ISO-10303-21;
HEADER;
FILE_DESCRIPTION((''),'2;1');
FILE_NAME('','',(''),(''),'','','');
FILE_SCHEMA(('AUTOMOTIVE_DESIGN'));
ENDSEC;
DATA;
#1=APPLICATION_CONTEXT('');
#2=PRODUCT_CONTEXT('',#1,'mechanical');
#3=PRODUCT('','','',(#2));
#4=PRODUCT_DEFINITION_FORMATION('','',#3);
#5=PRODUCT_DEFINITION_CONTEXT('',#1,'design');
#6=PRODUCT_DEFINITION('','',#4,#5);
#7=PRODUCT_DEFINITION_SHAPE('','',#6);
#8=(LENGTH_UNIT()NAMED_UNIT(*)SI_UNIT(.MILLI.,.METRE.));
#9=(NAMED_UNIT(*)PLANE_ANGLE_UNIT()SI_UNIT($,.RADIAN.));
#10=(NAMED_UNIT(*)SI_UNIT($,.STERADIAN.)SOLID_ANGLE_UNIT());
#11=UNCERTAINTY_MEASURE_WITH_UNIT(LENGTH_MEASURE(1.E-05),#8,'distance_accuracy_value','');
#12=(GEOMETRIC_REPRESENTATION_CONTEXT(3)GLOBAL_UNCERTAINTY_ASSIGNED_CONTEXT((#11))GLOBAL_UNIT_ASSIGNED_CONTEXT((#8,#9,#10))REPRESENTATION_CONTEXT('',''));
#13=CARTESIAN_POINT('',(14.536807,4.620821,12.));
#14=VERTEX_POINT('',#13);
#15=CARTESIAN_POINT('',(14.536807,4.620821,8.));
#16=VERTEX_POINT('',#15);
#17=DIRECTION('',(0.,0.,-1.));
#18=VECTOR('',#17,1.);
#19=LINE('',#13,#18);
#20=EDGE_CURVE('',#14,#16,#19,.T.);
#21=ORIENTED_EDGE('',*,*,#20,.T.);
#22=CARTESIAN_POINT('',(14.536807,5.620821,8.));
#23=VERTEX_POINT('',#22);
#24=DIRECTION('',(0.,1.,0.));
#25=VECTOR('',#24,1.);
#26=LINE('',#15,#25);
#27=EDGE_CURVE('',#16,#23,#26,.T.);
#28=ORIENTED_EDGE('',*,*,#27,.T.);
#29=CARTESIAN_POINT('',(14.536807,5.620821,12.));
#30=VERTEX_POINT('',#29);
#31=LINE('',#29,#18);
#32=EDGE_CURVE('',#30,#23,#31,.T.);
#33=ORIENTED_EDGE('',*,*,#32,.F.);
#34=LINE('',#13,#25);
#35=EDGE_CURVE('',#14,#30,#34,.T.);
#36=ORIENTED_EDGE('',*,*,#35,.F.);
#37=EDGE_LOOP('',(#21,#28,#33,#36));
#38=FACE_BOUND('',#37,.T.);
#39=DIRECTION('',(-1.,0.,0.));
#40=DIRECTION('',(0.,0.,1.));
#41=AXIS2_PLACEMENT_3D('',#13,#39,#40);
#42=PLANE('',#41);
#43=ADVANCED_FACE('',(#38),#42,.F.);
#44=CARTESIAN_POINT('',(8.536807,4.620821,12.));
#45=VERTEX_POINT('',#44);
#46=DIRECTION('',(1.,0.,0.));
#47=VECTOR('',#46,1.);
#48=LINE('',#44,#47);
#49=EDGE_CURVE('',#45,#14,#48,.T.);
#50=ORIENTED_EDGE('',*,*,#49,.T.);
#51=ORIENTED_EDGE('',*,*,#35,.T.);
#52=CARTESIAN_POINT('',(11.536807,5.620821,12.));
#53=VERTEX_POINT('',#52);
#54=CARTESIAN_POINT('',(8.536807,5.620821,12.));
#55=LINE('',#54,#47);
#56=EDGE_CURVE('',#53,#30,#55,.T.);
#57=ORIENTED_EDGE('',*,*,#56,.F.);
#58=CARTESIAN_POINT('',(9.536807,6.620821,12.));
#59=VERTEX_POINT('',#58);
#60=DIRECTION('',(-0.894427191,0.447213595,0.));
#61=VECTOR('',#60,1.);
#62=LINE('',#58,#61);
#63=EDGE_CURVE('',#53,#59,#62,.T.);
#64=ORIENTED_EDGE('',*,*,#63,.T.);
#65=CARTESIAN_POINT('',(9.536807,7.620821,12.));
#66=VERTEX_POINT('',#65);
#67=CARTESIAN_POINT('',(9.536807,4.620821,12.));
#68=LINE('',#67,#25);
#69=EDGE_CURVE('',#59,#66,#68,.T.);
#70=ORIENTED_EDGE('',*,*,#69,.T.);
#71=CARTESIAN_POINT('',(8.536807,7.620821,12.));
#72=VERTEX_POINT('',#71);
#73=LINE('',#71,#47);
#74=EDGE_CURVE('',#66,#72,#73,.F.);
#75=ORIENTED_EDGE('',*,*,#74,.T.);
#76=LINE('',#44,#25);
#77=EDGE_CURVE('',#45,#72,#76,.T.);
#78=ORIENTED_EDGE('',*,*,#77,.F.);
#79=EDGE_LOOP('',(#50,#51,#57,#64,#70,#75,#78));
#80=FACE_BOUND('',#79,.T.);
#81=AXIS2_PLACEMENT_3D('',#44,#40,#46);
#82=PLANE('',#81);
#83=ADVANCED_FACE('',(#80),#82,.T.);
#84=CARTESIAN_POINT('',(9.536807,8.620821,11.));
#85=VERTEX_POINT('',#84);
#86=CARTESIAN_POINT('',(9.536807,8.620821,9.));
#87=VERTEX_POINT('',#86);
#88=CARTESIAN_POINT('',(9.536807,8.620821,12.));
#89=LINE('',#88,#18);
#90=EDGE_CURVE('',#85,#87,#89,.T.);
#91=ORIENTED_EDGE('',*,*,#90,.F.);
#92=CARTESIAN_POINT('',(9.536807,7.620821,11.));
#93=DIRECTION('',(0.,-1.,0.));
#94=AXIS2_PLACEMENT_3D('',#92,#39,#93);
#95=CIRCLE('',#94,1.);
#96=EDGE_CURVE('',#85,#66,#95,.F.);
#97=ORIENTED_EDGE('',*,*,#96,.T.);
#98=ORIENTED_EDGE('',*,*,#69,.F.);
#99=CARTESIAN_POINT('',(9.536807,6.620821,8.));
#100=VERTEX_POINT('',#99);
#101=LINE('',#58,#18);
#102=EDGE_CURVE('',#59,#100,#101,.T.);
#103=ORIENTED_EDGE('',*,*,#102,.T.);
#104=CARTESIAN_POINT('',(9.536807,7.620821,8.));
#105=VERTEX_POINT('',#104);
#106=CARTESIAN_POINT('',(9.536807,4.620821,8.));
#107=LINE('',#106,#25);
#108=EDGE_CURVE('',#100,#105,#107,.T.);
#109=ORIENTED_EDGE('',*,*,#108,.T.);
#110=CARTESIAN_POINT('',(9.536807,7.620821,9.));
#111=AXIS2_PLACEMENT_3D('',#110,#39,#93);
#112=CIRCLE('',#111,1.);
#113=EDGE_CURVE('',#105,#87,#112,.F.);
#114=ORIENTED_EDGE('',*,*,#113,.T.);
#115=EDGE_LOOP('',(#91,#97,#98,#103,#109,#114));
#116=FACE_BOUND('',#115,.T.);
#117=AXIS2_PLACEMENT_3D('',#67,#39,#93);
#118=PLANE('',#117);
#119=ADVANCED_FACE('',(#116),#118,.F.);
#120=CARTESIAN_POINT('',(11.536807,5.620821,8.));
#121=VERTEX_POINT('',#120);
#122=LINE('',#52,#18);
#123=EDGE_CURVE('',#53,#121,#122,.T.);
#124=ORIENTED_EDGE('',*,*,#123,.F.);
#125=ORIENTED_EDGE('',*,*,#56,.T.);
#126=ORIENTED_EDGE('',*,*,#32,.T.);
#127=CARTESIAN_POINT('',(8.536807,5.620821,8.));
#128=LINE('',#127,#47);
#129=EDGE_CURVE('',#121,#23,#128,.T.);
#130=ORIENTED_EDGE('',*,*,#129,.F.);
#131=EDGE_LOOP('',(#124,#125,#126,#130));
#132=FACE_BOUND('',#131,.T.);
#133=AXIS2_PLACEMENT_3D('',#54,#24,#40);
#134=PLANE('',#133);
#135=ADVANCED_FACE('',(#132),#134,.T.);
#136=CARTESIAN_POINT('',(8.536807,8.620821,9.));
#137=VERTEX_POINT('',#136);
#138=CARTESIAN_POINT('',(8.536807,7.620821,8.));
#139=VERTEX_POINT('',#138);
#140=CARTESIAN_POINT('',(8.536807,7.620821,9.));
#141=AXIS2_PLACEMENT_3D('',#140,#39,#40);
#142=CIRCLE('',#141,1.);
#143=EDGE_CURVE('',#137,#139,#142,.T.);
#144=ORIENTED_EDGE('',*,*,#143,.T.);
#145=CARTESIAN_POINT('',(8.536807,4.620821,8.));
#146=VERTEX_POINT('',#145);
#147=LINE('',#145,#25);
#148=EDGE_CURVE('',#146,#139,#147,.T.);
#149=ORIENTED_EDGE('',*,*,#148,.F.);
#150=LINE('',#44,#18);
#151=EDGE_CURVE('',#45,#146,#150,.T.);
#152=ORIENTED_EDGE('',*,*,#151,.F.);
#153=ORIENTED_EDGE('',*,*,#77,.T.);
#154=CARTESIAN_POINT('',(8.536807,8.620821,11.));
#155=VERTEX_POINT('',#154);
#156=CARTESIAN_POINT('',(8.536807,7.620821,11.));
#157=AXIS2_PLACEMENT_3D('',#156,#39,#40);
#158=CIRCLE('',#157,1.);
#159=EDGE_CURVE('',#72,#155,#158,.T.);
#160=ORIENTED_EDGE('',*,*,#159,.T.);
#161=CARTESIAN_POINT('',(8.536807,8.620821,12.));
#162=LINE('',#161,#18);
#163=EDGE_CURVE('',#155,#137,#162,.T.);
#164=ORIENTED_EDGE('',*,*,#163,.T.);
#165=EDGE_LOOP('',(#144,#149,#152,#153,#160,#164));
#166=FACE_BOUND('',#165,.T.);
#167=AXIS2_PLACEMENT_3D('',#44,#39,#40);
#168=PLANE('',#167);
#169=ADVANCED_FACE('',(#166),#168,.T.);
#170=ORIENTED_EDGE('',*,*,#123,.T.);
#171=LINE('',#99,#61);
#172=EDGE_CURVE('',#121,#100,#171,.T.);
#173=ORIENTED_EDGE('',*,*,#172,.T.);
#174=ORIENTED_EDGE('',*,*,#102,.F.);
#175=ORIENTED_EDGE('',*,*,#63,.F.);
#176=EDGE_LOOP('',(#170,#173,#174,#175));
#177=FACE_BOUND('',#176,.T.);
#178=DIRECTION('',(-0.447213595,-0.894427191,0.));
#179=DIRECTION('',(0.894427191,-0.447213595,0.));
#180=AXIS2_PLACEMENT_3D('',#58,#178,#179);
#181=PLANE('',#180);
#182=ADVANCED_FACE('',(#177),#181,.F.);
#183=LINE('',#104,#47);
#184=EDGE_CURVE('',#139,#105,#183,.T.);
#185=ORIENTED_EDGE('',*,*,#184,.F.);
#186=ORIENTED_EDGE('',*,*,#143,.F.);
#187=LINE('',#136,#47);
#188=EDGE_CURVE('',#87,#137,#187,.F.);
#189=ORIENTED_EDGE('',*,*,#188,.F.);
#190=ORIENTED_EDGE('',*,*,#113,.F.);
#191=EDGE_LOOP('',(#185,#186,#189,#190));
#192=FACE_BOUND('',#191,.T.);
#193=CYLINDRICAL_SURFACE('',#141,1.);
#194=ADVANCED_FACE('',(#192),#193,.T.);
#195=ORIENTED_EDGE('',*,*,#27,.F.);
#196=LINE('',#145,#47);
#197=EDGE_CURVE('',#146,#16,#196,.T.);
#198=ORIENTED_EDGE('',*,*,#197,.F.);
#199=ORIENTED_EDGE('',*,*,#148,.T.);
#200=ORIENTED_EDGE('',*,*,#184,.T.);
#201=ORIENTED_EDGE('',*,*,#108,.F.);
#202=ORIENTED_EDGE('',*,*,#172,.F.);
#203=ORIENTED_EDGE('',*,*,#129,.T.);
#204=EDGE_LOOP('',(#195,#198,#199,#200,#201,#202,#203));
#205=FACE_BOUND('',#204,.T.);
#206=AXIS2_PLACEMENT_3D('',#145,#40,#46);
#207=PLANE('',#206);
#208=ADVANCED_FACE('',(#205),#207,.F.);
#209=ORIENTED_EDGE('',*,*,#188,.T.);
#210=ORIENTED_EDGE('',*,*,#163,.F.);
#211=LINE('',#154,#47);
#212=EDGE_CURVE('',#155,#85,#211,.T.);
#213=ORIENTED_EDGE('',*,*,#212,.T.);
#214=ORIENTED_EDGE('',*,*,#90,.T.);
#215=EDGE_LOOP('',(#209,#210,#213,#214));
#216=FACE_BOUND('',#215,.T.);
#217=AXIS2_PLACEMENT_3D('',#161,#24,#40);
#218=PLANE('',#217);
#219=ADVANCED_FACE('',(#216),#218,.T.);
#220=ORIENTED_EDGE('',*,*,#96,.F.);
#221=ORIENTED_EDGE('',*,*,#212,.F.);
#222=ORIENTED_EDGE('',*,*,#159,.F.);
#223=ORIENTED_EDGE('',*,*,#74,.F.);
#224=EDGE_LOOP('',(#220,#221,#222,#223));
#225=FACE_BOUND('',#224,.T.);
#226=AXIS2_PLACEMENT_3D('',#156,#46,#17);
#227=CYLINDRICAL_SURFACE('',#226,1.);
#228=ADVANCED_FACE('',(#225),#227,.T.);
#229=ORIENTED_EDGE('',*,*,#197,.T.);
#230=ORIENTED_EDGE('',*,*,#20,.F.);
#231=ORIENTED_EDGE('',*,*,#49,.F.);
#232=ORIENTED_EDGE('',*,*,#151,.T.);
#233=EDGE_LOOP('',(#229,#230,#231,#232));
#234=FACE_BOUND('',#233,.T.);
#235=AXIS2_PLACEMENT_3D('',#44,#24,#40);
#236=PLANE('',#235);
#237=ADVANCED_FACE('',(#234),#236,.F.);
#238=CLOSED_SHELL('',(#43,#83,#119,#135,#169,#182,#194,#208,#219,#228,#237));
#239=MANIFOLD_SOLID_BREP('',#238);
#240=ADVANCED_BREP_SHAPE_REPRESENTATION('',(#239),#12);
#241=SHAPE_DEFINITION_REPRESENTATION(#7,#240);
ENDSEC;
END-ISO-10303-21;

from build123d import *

# Parameters (mm, degrees)
EXTRUDE_1_DEPTH = 20
FILLET_1_R      = 5
SCALE_1_SCALE   = 0.2


with BuildPart() as part:
    # 草圖1 → 填料-伸長1 (new body)
    with BuildSketch(Plane.XY):
        Polygon((30, 5), (15, 5), (5, 10), (5, 20), (0, 20), (0, 5), (0, 0), (5, 0), (30, 0), align=None)
    extrude(amount=EXTRUDE_1_DEPTH)

    # 圓角1
    fillet_1_edges = [part.edges().sort_by_distance(p)[0] for p in [
        (2.5, 20, 20),
        (2.5, 20, 0),
    ]]
    fillet(fillet_1_edges, radius=FILLET_1_R)


with BuildPart() as part_1:
    # 縮放比例1: scaled about (10.67100901, 5.776025911, 10)
    add(part.part.scale(SCALE_1_SCALE).moved(Location((8.536807208, 4.620820729, 8))))


solid = part_1.part
